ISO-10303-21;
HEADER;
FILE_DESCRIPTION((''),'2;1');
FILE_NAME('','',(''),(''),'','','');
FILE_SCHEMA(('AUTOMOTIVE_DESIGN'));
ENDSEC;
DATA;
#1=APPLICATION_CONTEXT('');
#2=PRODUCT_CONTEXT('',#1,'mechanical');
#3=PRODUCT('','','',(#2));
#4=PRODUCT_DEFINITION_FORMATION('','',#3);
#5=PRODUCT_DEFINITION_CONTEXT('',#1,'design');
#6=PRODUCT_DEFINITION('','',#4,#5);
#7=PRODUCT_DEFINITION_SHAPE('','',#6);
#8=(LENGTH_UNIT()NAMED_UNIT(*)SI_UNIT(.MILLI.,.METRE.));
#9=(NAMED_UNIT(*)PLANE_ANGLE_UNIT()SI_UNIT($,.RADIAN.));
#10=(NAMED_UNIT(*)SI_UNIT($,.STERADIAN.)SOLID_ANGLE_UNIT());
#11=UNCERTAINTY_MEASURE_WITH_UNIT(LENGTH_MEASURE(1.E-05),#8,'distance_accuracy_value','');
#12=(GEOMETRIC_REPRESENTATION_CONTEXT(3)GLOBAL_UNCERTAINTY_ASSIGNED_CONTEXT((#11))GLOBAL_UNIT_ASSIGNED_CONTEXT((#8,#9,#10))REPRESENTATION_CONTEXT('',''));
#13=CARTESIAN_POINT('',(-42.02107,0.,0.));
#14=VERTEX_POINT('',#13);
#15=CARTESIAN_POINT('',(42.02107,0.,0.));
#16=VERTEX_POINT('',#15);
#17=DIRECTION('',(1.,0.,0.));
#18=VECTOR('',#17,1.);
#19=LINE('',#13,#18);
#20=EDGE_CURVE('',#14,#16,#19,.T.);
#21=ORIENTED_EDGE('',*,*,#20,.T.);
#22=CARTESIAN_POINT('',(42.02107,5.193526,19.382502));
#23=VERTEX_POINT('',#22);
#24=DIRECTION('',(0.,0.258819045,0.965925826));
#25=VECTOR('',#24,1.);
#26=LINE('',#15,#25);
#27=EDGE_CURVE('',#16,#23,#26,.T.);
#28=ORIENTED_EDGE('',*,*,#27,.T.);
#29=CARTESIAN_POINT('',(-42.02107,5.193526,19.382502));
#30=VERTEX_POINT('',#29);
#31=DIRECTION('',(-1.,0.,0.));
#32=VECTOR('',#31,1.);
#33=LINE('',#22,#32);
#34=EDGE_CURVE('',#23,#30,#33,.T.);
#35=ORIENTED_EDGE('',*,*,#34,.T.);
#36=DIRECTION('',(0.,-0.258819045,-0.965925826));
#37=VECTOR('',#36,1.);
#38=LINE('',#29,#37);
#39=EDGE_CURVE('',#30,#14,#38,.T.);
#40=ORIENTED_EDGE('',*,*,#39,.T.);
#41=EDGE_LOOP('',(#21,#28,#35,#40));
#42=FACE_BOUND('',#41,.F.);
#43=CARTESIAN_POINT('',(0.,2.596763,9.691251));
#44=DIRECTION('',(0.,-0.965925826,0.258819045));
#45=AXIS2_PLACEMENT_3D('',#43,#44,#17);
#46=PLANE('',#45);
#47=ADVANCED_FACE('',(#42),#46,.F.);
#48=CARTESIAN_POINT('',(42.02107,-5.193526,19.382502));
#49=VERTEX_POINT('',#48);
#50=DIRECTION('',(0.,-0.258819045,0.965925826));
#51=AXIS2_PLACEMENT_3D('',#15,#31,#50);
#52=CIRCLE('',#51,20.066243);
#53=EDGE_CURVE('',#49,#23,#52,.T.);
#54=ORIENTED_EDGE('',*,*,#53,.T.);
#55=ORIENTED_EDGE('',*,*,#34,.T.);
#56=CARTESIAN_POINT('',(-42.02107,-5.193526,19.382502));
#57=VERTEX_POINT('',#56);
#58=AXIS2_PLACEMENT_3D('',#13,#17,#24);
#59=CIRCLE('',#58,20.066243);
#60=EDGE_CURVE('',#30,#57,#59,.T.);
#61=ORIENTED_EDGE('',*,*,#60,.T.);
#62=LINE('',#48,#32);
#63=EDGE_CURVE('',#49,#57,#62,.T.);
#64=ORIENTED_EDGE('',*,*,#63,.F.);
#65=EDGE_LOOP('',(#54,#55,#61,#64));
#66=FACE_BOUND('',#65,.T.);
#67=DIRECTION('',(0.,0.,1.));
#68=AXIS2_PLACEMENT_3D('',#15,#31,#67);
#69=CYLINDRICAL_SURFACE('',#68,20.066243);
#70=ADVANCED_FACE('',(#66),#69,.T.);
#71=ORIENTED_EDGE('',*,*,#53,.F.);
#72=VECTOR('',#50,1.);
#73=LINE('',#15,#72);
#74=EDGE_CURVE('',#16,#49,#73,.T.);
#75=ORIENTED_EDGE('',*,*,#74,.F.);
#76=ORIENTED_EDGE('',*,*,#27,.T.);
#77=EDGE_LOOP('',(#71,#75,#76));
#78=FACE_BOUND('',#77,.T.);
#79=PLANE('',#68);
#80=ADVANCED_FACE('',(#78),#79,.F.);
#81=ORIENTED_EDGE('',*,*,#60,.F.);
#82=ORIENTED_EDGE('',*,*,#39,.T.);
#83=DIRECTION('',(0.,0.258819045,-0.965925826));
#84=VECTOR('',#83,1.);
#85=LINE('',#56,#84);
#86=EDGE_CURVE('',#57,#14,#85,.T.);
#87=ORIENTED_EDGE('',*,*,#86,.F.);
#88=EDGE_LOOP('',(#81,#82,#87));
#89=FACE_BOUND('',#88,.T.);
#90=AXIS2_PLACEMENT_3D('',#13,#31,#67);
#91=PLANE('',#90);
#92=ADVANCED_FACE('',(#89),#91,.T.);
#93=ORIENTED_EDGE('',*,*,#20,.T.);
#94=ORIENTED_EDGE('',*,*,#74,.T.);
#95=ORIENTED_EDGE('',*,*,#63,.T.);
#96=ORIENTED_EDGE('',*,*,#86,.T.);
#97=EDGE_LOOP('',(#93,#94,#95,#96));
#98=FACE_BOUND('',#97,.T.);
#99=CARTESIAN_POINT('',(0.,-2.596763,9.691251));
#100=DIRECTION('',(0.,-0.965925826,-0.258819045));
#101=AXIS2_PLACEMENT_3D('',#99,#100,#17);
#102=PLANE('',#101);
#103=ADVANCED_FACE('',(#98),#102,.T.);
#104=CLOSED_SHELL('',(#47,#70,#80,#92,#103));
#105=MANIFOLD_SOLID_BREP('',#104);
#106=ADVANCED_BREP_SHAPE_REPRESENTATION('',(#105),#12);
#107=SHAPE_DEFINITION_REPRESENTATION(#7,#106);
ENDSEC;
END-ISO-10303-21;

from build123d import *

# Parameters (mm, degrees)
F1_ANGLE = 30


with BuildPart() as f1:
    # F0 (on Front) → F1 (revolve, symmetric)
    with BuildSketch(Plane.XZ) as f1_sk:
        Polygon((42.02107, 20.066243), (0, 20.066243), (-42.02107, 20.066243), (-42.02107, 0), (42.02107, 0), align=None)
    revolve(axis=Axis((0, 0, 0), (1, 0, 0)), revolution_arc=F1_ANGLE / 2)
    revolve(f1_sk.sketch, axis=Axis((0, 0, 0), (-1, 0, 0)), revolution_arc=F1_ANGLE / 2)


solid = f1.part
